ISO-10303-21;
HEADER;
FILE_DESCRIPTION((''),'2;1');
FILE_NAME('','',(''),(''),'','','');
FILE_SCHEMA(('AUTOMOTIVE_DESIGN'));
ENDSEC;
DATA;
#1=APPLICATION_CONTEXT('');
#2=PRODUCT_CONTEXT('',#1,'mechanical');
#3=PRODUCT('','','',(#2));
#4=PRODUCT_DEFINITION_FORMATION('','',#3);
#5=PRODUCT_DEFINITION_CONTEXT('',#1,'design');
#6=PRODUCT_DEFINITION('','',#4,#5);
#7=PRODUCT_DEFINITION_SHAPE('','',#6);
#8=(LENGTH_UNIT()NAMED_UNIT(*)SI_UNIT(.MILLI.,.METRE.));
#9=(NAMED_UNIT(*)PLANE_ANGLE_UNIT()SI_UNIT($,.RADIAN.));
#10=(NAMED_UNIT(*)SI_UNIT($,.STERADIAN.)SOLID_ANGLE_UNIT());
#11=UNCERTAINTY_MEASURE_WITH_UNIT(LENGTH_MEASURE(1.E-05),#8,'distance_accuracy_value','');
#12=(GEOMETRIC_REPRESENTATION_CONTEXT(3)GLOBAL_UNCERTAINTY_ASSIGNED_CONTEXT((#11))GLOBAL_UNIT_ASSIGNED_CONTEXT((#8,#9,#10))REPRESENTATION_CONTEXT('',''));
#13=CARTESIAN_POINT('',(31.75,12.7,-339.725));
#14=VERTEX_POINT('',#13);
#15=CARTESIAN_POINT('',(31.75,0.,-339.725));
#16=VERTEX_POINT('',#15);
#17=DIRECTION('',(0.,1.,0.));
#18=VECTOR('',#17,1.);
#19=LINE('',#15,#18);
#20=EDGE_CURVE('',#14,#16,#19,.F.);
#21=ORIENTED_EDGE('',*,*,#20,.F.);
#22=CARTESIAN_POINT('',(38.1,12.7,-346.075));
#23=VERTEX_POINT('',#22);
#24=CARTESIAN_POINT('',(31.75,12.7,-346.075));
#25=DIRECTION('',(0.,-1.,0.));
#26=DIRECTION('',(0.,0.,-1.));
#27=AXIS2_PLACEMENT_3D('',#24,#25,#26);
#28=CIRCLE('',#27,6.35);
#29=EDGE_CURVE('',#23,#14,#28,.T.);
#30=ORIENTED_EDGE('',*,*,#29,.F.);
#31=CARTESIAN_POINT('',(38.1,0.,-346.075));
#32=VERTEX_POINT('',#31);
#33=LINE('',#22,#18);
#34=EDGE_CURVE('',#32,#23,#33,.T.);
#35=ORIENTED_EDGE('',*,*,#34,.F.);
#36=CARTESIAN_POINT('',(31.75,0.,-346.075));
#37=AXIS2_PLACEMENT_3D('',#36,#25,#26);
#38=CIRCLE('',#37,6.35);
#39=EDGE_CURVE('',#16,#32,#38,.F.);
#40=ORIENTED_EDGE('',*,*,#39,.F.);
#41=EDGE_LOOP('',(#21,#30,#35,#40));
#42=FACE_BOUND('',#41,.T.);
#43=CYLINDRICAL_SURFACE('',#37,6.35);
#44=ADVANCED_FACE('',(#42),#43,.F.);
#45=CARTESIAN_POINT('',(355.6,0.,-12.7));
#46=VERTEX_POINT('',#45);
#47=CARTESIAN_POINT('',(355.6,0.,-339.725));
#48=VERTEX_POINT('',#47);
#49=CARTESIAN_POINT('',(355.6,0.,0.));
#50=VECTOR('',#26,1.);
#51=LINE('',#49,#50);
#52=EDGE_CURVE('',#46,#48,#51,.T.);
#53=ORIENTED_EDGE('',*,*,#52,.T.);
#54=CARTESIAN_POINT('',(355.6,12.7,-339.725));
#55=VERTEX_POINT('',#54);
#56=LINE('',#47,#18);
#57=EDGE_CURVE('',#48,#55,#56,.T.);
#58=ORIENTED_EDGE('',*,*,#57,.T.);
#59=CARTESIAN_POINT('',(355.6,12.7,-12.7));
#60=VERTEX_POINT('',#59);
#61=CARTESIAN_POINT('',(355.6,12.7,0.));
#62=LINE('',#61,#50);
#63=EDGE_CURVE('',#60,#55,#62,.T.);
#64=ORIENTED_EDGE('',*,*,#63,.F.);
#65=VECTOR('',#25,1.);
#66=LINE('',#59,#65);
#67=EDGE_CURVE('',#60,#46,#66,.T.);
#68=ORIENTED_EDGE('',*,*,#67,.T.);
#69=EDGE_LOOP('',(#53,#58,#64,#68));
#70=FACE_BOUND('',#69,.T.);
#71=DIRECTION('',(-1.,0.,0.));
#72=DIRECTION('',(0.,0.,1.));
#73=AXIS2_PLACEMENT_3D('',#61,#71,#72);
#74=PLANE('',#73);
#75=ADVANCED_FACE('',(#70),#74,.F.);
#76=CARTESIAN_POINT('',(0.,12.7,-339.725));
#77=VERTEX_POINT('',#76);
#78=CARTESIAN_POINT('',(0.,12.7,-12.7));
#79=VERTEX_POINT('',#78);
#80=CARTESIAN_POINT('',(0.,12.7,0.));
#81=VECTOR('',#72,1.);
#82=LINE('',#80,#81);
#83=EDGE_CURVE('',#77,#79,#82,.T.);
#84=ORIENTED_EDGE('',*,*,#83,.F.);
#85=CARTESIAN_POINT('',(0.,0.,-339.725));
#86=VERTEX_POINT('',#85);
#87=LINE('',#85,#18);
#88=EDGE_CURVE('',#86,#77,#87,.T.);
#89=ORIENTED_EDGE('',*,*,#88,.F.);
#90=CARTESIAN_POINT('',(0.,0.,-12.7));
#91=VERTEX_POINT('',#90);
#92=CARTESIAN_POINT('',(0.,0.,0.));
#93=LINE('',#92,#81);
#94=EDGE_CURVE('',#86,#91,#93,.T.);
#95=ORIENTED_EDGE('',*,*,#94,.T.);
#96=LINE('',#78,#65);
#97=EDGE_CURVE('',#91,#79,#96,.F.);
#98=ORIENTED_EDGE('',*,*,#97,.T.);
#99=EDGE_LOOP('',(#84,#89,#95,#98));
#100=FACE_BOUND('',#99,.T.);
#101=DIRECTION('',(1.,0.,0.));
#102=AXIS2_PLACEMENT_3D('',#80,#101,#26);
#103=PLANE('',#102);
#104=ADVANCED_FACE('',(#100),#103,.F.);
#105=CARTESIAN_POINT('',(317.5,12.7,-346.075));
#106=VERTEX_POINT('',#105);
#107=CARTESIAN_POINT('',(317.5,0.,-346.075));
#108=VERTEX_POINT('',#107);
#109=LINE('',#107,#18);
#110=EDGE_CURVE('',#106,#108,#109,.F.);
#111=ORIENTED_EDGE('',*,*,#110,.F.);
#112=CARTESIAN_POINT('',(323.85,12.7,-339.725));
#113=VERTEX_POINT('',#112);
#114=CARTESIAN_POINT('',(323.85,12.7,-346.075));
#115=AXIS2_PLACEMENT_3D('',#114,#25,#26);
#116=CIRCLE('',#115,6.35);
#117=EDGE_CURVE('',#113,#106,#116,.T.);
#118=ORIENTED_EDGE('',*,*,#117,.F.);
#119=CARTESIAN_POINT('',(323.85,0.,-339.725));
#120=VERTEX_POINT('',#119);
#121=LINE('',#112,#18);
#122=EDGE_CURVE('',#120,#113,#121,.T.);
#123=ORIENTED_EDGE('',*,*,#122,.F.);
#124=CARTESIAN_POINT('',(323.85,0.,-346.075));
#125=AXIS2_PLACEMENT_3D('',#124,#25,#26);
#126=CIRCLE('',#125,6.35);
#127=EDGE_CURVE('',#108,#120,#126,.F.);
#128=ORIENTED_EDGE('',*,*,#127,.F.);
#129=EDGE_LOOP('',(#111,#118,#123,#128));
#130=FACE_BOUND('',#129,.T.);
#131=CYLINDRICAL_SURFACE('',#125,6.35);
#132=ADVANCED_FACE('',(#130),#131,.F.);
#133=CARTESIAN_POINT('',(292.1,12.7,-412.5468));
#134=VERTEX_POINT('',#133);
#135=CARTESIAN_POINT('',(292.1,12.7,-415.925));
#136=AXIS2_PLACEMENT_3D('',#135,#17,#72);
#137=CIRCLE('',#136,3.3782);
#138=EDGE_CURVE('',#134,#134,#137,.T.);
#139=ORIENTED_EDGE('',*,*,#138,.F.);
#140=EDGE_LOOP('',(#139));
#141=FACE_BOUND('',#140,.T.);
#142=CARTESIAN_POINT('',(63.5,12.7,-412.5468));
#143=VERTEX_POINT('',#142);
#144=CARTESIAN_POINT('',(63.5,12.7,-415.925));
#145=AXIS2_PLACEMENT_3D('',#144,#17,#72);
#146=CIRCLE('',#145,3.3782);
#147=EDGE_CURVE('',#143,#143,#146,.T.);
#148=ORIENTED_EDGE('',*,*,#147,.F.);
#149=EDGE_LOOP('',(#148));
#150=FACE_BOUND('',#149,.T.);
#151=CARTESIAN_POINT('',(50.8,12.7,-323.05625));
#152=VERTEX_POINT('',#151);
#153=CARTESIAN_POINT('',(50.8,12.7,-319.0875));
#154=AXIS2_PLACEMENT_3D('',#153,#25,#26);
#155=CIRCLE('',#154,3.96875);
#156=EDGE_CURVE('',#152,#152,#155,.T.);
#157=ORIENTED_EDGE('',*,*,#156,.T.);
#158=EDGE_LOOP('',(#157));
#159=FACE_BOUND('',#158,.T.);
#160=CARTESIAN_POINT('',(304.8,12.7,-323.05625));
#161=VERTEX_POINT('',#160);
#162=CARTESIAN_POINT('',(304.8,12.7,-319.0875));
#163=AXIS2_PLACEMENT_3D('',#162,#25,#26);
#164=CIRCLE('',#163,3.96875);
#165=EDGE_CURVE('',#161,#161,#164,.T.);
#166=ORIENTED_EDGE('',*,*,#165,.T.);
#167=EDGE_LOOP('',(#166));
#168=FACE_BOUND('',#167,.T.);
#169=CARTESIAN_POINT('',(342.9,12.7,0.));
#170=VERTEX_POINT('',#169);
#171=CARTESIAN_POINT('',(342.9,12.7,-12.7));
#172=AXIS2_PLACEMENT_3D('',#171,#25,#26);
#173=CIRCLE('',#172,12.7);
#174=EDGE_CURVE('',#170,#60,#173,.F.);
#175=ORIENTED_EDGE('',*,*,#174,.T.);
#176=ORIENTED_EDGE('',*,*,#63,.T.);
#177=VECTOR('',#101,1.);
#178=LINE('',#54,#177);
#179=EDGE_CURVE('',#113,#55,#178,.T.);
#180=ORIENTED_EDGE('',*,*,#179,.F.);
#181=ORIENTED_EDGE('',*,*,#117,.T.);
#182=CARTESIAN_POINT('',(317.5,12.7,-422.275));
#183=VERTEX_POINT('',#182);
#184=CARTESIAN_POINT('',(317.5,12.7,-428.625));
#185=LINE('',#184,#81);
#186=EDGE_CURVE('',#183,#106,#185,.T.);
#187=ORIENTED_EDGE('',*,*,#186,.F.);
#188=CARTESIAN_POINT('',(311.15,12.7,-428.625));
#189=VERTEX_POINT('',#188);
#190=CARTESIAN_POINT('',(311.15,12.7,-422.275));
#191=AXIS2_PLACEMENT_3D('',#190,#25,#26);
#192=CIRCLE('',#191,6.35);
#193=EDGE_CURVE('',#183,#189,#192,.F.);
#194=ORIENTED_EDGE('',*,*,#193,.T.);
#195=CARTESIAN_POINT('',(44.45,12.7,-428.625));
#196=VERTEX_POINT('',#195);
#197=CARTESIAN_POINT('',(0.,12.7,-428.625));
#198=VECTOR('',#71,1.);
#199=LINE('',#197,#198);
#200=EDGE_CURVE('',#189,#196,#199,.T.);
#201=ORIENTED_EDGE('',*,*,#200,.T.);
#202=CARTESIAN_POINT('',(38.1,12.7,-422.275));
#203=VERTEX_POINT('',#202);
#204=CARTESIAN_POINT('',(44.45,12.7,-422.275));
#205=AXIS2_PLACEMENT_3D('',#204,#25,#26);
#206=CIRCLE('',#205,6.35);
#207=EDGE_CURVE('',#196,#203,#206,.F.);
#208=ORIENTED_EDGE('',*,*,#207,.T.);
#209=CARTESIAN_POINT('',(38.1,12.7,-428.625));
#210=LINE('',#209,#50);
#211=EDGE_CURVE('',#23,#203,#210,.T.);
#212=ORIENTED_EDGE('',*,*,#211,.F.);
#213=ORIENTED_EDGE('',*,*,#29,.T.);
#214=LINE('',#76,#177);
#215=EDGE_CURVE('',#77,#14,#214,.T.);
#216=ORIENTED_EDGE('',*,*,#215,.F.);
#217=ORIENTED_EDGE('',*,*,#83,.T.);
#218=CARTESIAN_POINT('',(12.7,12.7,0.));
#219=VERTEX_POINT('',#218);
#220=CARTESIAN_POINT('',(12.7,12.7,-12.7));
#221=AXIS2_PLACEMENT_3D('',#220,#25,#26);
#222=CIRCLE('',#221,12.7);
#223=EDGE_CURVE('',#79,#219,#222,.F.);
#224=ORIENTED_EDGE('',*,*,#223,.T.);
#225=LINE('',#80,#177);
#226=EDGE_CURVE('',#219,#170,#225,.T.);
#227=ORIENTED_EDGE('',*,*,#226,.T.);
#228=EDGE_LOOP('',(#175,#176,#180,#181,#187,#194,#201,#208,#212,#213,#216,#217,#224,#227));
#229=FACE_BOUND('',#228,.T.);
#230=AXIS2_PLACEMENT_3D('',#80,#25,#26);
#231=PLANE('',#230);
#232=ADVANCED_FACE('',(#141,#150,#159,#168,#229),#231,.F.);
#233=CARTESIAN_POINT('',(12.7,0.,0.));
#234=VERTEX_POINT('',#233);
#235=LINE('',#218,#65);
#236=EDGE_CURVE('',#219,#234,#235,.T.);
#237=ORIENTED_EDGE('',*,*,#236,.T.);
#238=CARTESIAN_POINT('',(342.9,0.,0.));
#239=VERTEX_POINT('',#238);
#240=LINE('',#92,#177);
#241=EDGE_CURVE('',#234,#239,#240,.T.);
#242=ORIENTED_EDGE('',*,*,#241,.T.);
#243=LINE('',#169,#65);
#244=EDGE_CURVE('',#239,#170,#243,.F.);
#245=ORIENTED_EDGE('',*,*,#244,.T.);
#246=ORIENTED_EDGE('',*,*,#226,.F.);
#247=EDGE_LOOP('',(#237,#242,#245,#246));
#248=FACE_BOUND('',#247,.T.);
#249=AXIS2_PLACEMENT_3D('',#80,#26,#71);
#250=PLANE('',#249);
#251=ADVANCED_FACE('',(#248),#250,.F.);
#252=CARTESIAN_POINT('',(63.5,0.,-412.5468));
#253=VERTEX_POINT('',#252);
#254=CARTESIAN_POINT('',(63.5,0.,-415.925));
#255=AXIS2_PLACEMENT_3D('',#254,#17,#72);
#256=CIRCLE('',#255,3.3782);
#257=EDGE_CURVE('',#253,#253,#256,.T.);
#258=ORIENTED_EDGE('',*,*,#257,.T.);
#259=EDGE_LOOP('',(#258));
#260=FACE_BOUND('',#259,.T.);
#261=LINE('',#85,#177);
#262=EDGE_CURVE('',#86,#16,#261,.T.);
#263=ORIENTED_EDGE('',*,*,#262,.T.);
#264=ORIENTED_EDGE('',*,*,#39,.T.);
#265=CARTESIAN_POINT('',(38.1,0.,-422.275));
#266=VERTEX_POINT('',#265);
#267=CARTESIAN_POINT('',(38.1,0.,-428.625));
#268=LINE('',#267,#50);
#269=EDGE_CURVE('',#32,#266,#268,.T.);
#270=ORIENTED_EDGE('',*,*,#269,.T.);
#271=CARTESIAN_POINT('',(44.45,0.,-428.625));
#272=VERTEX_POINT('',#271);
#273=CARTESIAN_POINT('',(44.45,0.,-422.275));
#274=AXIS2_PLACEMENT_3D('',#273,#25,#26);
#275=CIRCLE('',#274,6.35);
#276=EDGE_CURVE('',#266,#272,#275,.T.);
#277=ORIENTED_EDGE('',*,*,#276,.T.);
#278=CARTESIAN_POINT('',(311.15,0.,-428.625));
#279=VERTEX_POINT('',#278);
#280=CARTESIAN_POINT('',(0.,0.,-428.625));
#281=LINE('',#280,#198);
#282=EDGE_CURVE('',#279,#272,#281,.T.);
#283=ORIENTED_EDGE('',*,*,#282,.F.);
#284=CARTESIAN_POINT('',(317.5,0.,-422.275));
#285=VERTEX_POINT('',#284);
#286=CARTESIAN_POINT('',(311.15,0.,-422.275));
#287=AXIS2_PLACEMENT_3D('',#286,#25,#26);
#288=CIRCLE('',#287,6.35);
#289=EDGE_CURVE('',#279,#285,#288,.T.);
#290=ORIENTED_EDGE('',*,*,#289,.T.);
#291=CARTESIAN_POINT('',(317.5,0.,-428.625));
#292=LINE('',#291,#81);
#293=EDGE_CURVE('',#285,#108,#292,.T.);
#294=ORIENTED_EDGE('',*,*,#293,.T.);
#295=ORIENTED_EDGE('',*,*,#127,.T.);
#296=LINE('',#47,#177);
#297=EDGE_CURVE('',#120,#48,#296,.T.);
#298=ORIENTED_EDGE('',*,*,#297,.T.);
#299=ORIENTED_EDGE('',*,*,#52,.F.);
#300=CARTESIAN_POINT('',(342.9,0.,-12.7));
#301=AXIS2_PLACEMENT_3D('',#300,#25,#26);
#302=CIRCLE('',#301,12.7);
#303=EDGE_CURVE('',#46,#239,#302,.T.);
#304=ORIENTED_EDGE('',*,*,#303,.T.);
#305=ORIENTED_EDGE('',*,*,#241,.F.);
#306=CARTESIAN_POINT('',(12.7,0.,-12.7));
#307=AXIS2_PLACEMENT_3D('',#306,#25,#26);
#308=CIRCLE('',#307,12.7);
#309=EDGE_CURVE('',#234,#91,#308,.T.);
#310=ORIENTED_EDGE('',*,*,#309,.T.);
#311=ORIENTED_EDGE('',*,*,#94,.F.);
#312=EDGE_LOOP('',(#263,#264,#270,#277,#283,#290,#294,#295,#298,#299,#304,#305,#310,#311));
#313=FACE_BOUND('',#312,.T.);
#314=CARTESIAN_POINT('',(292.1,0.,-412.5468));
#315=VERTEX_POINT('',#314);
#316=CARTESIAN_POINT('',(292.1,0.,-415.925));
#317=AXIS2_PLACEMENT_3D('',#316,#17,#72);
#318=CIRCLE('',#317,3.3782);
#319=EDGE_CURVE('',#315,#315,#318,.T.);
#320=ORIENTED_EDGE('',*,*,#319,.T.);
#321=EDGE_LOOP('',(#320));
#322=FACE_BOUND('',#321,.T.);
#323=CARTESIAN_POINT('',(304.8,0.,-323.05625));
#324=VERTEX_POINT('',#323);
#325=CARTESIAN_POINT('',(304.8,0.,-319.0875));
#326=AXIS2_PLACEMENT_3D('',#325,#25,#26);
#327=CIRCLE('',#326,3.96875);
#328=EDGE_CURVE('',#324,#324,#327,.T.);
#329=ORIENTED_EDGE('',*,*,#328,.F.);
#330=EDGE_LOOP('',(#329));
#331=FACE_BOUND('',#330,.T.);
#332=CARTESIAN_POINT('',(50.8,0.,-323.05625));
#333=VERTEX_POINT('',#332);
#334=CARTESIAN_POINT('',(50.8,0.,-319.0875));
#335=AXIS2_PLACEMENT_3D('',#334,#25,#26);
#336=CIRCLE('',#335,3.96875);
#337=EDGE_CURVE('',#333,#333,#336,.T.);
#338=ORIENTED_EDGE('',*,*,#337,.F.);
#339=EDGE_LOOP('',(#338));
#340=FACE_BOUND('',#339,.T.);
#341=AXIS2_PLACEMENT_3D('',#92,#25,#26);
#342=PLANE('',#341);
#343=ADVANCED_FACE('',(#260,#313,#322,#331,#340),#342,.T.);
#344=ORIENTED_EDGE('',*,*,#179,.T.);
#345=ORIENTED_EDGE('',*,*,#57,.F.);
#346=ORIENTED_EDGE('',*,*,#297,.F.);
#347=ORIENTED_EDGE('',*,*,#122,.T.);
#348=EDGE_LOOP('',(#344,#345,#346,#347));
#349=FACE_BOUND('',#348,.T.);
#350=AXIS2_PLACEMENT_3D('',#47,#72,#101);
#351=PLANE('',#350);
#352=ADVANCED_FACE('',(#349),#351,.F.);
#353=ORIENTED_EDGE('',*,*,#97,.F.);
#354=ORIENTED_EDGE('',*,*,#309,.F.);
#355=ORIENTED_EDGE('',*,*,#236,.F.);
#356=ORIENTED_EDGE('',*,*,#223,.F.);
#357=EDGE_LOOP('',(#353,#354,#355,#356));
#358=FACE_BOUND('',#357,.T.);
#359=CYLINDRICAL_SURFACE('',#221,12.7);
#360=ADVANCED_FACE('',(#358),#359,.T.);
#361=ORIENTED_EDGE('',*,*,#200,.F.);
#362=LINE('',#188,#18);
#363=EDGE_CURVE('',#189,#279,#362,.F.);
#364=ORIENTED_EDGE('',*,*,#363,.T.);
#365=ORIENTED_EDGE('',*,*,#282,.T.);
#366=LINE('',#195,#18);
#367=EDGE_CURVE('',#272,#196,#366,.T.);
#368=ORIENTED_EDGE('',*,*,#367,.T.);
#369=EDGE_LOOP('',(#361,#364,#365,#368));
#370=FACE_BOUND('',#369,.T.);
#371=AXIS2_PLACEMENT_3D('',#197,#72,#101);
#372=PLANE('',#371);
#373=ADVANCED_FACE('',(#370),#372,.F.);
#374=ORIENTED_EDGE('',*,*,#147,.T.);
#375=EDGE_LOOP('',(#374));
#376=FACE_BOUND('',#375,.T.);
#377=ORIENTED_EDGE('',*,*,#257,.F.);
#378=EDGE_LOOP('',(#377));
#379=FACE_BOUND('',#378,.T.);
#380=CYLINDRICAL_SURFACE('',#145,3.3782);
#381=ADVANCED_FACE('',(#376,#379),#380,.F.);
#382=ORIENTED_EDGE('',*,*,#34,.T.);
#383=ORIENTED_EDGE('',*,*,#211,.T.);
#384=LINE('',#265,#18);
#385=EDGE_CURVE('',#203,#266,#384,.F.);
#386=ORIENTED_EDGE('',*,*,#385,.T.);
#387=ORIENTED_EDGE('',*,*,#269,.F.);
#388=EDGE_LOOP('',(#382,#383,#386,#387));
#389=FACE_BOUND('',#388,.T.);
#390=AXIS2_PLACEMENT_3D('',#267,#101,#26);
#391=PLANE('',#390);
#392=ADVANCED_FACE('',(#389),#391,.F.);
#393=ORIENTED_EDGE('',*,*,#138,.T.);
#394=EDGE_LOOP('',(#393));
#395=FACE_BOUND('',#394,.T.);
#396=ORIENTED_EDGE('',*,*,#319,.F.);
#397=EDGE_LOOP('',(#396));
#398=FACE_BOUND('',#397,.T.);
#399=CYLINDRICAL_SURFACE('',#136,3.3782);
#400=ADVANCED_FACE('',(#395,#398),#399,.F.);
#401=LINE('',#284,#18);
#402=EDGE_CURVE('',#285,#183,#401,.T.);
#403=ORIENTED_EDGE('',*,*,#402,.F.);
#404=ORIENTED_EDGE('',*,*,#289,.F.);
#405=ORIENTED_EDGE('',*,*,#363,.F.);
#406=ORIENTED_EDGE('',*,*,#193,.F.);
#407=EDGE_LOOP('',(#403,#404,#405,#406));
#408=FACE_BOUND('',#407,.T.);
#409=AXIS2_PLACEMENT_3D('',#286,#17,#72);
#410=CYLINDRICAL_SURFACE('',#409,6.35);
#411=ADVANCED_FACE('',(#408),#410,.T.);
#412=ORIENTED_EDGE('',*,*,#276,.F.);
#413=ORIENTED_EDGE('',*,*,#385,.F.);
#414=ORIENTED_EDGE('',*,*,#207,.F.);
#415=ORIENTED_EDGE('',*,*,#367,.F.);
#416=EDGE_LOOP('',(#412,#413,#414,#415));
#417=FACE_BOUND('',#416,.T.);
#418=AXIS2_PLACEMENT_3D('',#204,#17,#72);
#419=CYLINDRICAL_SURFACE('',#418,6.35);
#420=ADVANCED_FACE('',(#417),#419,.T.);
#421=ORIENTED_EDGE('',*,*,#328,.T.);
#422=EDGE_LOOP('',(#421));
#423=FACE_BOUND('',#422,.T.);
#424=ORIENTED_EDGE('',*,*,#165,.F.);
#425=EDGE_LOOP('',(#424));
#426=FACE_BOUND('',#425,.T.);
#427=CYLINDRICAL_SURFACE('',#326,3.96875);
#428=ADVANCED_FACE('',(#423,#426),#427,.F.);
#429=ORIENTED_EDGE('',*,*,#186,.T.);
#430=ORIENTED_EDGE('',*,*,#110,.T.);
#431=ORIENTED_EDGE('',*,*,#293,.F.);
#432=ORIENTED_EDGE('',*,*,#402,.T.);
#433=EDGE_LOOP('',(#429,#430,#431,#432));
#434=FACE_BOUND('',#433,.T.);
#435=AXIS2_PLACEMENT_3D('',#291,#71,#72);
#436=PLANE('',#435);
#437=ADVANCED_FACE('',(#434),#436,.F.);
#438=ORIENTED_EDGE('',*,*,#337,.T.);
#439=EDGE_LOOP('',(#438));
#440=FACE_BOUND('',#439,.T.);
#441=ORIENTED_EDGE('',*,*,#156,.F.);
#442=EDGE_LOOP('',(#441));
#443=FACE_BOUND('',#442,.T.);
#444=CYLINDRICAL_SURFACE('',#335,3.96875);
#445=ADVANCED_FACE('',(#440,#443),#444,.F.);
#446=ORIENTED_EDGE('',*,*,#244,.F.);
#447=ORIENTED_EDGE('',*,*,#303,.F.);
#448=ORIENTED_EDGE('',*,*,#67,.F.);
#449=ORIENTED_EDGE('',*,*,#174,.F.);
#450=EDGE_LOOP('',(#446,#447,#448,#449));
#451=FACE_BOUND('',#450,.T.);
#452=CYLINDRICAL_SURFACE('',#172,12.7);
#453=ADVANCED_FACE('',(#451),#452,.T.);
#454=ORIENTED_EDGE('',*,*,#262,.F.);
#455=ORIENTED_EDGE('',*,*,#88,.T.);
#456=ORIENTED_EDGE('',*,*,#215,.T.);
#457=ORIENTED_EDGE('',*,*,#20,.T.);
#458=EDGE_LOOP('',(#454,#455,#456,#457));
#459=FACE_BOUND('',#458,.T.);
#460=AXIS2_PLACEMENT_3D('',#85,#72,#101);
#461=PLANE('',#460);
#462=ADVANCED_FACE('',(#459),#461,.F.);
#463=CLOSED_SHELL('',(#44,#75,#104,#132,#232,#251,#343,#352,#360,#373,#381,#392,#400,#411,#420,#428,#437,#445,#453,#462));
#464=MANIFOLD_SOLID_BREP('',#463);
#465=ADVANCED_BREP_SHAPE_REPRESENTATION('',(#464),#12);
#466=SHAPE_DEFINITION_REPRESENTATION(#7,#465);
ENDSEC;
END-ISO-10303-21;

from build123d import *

# Parameters (mm, degrees)
SKETCH1_W                      = 355.6
SKETCH1_H                      = 428.625
BOSS_EXTRUDE1_DEPTH            = 12.7
FILLET1_R                      = 12.7
SKETCH3_W                      = 38.1
SKETCH3_H                      = 88.9
CUT_EXTRUDE2_DEPTH             = 558.074537764
FILLET2_R                      = 6.35
H_0_266_DIAMETER_HOLE1_D       = 6.7564
F_5_16_0_3125_DIAMETER_HOLE1_D = 7.9375


with BuildPart() as part:
    # Sketch1 → Boss-Extrude1 (new body)
    with BuildSketch(Plane(origin=(0, 0, 0), x_dir=(1, 0, 0), z_dir=(0, 1, 0))):
        with Locations((177.8, 214.3125)):
            Rectangle(SKETCH1_W, SKETCH1_H)
    extrude(amount=BOSS_EXTRUDE1_DEPTH)

    # Fillet1
    fillet1_edges = [part.edges().sort_by_distance(p)[0] for p in [
        (355.6, 6.35, 0),
        (0, 6.35, 0),
    ]]
    fillet(fillet1_edges, radius=FILLET1_R)

    # Sketch3 → Cut-Extrude2 (cut, through all)
    with BuildSketch(Plane(origin=(0, 12.7, 0), x_dir=(1, 0, 0), z_dir=(0, 1, 0))):
        with Locations((19.05, 384.175)):
            Rectangle(SKETCH3_W, SKETCH3_H)
        with Locations((336.55, 384.175)):
            Rectangle(SKETCH3_W, SKETCH3_H)
    extrude(amount=-CUT_EXTRUDE2_DEPTH, mode=Mode.SUBTRACT)

    # Fillet2
    fillet2_edges = [part.edges().sort_by_distance(p)[0] for p in [
        (38.1, 6.35, -428.625),
        (38.1, 6.35, -339.725),
        (317.5, 6.35, -428.625),
        (317.5, 6.35, -339.725),
    ]]
    fillet(fillet2_edges, radius=FILLET2_R)

    # H (0.266) Diameter Hole1 (through all)
    with Locations(Plane(origin=(0, 12.7, 0), x_dir=(1, 0, 0), z_dir=(0, 1, 0))):
        with Locations((63.5, 415.925), (292.1, 415.925)):
            Hole(H_0_266_DIAMETER_HOLE1_D / 2)

    # 5/16 (0.3125) Diameter Hole1 (through all)
    with Locations(Plane(origin=(0, 0, 0), x_dir=(-1, 0, 0), z_dir=(0, -1, 0))):
        with Locations((-50.8, 319.0875), (-304.8, 319.0875)):
            Hole(F_5_16_0_3125_DIAMETER_HOLE1_D / 2)


solid = part.part
